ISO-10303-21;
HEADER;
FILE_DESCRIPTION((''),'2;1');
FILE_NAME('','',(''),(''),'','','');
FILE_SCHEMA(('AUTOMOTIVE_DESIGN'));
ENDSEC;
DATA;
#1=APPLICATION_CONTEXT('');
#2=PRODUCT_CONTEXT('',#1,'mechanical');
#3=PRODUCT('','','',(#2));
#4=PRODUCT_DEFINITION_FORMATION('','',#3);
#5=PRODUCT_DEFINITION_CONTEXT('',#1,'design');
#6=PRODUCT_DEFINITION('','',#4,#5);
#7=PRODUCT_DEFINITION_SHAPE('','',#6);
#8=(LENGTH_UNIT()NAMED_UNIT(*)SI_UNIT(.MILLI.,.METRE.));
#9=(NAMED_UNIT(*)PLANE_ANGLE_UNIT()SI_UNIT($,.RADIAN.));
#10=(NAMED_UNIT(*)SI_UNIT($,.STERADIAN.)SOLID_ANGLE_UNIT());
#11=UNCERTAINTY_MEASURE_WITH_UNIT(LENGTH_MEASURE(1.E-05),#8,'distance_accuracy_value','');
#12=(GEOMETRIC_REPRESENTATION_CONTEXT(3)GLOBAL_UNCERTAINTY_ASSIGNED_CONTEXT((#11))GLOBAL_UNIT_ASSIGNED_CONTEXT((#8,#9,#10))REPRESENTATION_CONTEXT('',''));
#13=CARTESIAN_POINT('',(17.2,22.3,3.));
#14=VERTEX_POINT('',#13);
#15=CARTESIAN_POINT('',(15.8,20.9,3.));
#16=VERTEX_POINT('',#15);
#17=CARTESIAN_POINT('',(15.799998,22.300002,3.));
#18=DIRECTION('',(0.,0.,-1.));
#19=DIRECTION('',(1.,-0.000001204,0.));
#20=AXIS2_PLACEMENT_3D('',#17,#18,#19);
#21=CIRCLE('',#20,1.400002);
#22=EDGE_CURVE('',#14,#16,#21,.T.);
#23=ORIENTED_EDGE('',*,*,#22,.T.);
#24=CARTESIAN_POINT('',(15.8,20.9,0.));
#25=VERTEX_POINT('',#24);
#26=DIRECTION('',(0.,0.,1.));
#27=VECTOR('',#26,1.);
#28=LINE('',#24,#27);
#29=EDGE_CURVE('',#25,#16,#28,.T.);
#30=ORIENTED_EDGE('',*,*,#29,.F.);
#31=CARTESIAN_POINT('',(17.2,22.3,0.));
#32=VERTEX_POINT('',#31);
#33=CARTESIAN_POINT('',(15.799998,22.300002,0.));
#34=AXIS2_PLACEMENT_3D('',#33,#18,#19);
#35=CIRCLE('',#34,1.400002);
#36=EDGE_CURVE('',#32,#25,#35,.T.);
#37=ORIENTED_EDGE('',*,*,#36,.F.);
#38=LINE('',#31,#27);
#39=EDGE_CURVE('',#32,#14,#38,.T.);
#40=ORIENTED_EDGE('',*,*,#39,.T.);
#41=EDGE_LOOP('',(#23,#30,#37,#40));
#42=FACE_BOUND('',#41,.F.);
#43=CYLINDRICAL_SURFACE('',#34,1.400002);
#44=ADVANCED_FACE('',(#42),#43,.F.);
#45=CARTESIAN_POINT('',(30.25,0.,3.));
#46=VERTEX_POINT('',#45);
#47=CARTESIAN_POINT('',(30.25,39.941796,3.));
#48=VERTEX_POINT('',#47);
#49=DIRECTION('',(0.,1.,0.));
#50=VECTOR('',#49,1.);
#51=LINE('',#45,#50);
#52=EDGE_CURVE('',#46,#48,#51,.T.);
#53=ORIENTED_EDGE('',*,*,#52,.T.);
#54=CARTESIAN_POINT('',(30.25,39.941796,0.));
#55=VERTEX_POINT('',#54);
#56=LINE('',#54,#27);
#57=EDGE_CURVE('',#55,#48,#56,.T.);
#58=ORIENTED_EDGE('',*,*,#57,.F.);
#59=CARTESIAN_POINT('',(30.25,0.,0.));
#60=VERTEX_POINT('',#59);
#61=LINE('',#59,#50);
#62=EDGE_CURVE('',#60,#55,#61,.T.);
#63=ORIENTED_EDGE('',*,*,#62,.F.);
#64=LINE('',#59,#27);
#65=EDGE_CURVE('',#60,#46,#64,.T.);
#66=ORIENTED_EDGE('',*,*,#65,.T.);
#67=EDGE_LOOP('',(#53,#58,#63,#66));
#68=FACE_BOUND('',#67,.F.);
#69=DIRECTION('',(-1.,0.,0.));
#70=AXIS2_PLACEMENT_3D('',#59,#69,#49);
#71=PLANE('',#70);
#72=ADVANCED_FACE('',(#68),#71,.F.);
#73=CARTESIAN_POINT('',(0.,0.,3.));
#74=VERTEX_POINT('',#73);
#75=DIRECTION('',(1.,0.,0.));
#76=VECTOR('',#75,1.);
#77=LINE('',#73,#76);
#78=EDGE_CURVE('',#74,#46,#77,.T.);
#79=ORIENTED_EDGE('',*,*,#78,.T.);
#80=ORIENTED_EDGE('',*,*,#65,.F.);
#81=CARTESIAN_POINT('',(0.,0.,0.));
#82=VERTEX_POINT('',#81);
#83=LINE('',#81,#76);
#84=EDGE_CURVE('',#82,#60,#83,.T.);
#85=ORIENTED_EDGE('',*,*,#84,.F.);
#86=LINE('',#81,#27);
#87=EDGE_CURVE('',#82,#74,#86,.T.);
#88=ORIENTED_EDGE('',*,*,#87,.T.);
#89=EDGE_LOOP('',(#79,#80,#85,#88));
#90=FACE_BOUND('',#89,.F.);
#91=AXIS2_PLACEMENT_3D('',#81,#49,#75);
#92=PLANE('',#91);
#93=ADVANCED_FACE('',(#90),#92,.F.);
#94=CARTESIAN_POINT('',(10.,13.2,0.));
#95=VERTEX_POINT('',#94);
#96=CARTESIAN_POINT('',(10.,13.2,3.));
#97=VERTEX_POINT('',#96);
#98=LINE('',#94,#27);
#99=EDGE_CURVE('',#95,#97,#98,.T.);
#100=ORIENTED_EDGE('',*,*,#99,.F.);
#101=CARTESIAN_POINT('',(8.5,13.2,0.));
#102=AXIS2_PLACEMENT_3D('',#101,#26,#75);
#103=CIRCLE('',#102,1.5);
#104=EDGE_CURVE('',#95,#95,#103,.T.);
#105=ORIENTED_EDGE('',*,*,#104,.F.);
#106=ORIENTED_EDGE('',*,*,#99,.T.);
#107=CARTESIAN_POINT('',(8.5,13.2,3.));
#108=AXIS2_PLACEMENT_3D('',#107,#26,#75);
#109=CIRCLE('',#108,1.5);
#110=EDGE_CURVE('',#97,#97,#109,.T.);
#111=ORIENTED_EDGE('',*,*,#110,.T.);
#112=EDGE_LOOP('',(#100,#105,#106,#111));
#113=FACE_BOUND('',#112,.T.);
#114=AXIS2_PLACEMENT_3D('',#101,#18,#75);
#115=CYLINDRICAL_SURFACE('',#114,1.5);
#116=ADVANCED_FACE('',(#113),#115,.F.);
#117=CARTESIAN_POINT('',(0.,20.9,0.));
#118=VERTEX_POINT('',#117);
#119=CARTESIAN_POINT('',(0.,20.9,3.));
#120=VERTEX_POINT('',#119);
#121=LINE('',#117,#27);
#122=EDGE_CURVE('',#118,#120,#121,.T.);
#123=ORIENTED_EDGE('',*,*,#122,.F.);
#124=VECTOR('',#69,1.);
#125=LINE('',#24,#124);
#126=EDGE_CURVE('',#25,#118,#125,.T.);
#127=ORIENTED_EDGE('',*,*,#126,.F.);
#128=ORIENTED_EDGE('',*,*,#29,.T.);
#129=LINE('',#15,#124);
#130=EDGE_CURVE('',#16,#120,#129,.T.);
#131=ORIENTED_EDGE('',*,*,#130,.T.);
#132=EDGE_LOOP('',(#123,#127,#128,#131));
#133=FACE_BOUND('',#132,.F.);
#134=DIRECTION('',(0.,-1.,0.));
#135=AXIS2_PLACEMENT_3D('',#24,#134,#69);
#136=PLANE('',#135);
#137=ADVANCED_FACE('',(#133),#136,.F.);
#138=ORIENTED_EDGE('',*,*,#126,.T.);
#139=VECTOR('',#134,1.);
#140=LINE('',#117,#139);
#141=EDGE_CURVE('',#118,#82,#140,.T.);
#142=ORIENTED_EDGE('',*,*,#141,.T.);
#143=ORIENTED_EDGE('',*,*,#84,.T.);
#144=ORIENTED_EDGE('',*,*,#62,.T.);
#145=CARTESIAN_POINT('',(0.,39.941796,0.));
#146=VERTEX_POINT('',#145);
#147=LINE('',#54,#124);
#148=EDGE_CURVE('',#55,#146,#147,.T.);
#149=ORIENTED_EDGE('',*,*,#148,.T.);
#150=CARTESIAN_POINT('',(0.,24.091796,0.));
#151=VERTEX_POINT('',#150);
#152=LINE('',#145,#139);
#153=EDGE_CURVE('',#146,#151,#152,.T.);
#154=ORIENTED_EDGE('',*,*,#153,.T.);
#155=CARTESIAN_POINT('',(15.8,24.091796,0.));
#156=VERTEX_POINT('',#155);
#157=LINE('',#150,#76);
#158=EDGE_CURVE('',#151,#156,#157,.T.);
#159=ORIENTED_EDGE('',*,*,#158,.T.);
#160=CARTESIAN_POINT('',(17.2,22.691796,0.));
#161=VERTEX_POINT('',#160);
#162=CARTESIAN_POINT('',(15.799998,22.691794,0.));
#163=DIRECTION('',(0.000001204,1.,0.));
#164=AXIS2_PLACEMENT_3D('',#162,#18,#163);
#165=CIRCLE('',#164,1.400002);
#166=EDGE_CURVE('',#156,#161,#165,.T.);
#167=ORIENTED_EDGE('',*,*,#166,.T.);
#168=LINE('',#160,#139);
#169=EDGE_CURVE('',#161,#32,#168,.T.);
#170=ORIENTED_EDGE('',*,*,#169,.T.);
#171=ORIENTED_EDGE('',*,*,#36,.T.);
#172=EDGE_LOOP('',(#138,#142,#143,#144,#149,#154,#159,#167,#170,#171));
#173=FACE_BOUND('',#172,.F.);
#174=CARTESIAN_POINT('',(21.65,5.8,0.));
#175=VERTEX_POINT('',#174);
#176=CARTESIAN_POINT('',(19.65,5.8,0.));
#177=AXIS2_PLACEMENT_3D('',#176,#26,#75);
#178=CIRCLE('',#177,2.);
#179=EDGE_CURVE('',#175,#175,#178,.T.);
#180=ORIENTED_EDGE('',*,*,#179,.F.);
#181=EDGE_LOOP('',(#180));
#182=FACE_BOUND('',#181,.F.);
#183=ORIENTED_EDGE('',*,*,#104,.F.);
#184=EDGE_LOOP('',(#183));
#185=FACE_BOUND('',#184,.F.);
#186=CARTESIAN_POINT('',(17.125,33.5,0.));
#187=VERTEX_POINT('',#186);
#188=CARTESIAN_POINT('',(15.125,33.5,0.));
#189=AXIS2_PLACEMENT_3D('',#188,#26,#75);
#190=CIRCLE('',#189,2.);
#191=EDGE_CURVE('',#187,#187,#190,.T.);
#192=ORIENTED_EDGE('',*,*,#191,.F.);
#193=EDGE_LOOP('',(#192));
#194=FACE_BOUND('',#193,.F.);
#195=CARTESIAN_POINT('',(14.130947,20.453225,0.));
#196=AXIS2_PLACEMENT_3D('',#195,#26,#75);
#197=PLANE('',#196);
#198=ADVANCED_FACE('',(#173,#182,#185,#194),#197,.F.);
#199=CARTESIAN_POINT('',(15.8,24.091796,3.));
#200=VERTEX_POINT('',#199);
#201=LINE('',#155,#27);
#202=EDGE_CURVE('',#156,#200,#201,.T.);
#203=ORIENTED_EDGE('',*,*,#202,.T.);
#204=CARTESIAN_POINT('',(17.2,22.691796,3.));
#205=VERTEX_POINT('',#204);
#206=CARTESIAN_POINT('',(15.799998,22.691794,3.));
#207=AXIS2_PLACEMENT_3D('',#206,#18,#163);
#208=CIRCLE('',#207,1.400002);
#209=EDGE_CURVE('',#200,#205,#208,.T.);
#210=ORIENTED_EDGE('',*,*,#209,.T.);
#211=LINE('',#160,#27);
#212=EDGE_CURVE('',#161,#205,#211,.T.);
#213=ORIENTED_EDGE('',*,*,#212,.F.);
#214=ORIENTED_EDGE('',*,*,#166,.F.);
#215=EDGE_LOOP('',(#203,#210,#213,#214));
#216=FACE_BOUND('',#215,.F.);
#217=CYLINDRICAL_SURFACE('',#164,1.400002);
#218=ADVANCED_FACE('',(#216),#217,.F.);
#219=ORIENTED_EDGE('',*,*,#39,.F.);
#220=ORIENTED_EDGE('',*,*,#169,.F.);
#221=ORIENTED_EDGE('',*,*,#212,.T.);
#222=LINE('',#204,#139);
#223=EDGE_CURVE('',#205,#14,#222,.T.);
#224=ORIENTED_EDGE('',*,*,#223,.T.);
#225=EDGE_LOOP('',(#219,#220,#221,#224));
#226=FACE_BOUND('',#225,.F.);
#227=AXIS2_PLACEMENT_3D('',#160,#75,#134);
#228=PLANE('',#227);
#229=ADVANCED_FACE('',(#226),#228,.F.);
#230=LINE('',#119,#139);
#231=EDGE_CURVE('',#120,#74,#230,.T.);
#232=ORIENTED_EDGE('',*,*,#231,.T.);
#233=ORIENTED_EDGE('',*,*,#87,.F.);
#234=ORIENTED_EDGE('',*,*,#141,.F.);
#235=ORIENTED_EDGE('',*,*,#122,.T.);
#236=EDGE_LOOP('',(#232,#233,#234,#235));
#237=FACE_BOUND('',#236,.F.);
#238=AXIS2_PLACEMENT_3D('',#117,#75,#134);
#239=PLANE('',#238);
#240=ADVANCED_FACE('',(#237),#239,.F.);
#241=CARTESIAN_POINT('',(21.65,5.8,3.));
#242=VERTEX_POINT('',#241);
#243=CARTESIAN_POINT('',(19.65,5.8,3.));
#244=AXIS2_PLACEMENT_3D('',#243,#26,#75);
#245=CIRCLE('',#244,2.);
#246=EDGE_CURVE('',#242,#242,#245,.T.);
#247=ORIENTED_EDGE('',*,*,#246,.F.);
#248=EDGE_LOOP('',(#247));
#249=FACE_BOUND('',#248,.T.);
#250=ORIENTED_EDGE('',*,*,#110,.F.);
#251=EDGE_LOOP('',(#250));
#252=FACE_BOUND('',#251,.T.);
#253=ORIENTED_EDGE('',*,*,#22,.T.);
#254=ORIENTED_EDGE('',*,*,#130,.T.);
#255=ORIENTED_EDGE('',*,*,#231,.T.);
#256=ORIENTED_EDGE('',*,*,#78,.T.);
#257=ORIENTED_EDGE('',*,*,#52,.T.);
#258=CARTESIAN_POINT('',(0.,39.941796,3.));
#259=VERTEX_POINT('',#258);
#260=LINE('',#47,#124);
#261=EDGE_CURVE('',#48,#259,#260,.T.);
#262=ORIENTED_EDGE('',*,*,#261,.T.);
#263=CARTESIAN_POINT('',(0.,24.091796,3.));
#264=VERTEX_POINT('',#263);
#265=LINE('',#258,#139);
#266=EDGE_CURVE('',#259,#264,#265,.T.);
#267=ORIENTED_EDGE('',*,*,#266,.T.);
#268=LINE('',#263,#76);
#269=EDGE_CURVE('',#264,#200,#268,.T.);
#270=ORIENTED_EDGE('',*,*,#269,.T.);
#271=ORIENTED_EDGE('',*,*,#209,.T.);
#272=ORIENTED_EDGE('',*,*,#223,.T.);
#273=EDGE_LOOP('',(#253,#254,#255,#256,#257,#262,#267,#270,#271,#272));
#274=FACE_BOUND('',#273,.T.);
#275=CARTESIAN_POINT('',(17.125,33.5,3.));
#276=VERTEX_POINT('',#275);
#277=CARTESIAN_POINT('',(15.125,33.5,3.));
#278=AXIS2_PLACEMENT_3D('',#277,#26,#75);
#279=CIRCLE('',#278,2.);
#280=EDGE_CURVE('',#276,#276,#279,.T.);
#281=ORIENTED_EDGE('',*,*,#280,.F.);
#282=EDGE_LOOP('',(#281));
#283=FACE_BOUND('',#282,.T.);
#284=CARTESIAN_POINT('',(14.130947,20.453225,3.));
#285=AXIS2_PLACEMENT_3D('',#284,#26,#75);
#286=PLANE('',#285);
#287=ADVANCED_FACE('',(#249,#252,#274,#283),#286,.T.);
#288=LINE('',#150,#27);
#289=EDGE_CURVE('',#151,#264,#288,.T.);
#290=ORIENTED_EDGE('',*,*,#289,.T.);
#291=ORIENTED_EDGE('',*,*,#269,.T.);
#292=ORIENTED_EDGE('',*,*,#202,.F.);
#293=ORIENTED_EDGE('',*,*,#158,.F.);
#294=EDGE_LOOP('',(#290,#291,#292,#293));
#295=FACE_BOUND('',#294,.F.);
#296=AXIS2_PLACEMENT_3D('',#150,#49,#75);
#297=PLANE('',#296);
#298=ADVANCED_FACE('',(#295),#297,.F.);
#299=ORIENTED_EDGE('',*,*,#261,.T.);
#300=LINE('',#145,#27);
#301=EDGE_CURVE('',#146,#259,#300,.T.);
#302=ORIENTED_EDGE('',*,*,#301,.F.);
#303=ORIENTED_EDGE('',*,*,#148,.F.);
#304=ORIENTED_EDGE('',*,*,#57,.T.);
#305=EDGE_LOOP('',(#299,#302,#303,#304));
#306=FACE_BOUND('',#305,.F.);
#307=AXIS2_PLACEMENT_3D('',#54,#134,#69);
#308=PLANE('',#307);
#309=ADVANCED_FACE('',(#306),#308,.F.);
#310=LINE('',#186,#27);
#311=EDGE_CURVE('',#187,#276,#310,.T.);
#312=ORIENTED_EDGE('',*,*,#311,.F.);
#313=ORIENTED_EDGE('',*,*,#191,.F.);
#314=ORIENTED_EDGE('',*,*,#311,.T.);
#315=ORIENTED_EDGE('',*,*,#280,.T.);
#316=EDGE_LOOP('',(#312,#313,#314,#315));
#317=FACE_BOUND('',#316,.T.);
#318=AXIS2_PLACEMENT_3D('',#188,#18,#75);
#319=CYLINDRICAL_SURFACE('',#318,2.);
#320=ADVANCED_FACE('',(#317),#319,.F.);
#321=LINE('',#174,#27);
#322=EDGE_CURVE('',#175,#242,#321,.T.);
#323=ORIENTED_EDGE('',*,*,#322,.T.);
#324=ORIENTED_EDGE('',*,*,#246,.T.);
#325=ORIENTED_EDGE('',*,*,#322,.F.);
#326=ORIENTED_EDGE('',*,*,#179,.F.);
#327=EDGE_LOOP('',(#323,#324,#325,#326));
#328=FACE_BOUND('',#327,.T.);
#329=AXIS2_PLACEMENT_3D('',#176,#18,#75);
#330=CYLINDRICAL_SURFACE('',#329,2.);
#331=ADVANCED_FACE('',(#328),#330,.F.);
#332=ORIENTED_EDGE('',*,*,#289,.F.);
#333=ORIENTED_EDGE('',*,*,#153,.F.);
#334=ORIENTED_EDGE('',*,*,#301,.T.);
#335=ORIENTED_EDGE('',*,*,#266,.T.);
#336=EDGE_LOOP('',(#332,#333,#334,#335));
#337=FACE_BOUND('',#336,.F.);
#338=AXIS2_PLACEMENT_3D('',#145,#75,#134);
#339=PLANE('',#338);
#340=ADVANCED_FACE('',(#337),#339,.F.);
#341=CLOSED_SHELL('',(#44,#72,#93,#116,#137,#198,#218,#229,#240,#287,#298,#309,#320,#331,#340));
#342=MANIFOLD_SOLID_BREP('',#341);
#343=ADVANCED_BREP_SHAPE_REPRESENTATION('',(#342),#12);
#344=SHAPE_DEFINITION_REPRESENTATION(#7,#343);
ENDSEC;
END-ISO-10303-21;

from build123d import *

# Parameters (mm, degrees)
F0_R     = 1.5
F0_R_2   = 2
F1_DEPTH = 3


with BuildPart() as f1:
    # F0 (on Top) → F1 (new body)
    with BuildSketch(Plane.XY):
        with BuildLine():
            Line((0, 20.9), (0, 0))
            Line((0, 0), (30.25, 0))
            Line((30.25, 0), (30.25, 24.091796))
            Line((30.25, 24.091796), (30.25, 39.941796))
            Line((30.25, 39.941796), (0, 39.941796))
            Line((0, 39.941796), (0, 24.091796))
            Line((0, 24.091796), (15.8, 24.091796))
            ThreePointArc((15.8, 24.091796), (16.789949, 23.681745), (17.2, 22.691796))
            Line((17.2, 22.691796), (17.2, 22.3))
            ThreePointArc((17.2, 22.3), (16.789949, 21.310051), (15.8, 20.9))
            Line((15.8, 20.9), (0, 20.9))
        make_face()
        with Locations((8.5, 13.2)):
            Circle(F0_R, mode=Mode.SUBTRACT)
        with Locations((19.65, 5.8)):
            Circle(F0_R_2, mode=Mode.SUBTRACT)
        with Locations((15.125, 33.5)):
            Circle(F0_R_2, mode=Mode.SUBTRACT)
    extrude(amount=F1_DEPTH)


solid = f1.part
